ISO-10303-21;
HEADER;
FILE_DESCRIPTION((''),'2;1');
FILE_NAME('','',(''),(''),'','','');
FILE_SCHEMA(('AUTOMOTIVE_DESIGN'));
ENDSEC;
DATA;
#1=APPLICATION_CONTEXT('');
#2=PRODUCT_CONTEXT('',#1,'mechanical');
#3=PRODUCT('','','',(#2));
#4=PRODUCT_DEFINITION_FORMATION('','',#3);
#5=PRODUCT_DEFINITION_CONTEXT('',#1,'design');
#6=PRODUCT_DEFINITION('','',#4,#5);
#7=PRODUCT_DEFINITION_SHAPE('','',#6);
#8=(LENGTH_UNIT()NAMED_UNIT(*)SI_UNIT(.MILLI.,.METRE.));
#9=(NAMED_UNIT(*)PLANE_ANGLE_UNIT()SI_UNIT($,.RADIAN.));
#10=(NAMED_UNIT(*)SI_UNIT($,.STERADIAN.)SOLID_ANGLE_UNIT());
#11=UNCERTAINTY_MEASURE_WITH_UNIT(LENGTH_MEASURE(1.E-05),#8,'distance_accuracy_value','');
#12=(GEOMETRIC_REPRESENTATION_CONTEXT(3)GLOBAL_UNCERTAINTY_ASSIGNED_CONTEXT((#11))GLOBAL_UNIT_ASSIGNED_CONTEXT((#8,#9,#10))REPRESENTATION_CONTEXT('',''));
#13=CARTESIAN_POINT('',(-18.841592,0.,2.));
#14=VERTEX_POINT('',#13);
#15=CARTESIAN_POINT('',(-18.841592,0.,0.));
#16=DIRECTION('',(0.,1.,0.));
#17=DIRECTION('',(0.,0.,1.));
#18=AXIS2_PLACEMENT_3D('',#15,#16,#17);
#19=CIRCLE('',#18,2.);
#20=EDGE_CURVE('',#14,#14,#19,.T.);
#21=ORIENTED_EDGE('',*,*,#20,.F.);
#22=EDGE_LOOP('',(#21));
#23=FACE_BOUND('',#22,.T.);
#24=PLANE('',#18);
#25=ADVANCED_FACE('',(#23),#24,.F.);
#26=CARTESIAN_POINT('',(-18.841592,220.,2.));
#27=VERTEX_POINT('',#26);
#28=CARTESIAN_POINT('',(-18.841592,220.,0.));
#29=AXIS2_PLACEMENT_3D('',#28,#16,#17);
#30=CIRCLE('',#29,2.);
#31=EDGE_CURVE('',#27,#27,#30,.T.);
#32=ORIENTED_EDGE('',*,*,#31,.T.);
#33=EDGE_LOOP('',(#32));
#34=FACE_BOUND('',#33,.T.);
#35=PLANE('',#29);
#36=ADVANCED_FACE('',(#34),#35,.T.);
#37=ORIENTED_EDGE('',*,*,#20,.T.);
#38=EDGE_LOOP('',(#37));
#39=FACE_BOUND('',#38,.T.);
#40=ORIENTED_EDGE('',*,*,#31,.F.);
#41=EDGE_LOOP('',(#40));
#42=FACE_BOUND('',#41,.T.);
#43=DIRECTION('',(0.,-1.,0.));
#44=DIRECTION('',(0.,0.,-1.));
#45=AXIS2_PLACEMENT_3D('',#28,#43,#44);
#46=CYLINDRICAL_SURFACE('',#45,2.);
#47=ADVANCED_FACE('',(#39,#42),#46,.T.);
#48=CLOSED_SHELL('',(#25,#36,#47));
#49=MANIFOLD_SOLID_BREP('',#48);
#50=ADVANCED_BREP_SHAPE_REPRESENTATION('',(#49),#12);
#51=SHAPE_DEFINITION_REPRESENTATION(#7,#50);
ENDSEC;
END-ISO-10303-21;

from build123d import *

# Parameters (mm, degrees)
SKETCH1_R           = 2
BOSS_EXTRUDE1_DEPTH = 220


with BuildPart() as part:
    # Sketch1 → Boss-Extrude1 (new body)
    with BuildSketch(Plane(origin=(0, 0, 0), x_dir=(1, 0, 0), z_dir=(0, 1, 0))):
        with Locations((-18.841591662, 0)):
            Circle(SKETCH1_R)
    extrude(amount=BOSS_EXTRUDE1_DEPTH)


solid = part.part
